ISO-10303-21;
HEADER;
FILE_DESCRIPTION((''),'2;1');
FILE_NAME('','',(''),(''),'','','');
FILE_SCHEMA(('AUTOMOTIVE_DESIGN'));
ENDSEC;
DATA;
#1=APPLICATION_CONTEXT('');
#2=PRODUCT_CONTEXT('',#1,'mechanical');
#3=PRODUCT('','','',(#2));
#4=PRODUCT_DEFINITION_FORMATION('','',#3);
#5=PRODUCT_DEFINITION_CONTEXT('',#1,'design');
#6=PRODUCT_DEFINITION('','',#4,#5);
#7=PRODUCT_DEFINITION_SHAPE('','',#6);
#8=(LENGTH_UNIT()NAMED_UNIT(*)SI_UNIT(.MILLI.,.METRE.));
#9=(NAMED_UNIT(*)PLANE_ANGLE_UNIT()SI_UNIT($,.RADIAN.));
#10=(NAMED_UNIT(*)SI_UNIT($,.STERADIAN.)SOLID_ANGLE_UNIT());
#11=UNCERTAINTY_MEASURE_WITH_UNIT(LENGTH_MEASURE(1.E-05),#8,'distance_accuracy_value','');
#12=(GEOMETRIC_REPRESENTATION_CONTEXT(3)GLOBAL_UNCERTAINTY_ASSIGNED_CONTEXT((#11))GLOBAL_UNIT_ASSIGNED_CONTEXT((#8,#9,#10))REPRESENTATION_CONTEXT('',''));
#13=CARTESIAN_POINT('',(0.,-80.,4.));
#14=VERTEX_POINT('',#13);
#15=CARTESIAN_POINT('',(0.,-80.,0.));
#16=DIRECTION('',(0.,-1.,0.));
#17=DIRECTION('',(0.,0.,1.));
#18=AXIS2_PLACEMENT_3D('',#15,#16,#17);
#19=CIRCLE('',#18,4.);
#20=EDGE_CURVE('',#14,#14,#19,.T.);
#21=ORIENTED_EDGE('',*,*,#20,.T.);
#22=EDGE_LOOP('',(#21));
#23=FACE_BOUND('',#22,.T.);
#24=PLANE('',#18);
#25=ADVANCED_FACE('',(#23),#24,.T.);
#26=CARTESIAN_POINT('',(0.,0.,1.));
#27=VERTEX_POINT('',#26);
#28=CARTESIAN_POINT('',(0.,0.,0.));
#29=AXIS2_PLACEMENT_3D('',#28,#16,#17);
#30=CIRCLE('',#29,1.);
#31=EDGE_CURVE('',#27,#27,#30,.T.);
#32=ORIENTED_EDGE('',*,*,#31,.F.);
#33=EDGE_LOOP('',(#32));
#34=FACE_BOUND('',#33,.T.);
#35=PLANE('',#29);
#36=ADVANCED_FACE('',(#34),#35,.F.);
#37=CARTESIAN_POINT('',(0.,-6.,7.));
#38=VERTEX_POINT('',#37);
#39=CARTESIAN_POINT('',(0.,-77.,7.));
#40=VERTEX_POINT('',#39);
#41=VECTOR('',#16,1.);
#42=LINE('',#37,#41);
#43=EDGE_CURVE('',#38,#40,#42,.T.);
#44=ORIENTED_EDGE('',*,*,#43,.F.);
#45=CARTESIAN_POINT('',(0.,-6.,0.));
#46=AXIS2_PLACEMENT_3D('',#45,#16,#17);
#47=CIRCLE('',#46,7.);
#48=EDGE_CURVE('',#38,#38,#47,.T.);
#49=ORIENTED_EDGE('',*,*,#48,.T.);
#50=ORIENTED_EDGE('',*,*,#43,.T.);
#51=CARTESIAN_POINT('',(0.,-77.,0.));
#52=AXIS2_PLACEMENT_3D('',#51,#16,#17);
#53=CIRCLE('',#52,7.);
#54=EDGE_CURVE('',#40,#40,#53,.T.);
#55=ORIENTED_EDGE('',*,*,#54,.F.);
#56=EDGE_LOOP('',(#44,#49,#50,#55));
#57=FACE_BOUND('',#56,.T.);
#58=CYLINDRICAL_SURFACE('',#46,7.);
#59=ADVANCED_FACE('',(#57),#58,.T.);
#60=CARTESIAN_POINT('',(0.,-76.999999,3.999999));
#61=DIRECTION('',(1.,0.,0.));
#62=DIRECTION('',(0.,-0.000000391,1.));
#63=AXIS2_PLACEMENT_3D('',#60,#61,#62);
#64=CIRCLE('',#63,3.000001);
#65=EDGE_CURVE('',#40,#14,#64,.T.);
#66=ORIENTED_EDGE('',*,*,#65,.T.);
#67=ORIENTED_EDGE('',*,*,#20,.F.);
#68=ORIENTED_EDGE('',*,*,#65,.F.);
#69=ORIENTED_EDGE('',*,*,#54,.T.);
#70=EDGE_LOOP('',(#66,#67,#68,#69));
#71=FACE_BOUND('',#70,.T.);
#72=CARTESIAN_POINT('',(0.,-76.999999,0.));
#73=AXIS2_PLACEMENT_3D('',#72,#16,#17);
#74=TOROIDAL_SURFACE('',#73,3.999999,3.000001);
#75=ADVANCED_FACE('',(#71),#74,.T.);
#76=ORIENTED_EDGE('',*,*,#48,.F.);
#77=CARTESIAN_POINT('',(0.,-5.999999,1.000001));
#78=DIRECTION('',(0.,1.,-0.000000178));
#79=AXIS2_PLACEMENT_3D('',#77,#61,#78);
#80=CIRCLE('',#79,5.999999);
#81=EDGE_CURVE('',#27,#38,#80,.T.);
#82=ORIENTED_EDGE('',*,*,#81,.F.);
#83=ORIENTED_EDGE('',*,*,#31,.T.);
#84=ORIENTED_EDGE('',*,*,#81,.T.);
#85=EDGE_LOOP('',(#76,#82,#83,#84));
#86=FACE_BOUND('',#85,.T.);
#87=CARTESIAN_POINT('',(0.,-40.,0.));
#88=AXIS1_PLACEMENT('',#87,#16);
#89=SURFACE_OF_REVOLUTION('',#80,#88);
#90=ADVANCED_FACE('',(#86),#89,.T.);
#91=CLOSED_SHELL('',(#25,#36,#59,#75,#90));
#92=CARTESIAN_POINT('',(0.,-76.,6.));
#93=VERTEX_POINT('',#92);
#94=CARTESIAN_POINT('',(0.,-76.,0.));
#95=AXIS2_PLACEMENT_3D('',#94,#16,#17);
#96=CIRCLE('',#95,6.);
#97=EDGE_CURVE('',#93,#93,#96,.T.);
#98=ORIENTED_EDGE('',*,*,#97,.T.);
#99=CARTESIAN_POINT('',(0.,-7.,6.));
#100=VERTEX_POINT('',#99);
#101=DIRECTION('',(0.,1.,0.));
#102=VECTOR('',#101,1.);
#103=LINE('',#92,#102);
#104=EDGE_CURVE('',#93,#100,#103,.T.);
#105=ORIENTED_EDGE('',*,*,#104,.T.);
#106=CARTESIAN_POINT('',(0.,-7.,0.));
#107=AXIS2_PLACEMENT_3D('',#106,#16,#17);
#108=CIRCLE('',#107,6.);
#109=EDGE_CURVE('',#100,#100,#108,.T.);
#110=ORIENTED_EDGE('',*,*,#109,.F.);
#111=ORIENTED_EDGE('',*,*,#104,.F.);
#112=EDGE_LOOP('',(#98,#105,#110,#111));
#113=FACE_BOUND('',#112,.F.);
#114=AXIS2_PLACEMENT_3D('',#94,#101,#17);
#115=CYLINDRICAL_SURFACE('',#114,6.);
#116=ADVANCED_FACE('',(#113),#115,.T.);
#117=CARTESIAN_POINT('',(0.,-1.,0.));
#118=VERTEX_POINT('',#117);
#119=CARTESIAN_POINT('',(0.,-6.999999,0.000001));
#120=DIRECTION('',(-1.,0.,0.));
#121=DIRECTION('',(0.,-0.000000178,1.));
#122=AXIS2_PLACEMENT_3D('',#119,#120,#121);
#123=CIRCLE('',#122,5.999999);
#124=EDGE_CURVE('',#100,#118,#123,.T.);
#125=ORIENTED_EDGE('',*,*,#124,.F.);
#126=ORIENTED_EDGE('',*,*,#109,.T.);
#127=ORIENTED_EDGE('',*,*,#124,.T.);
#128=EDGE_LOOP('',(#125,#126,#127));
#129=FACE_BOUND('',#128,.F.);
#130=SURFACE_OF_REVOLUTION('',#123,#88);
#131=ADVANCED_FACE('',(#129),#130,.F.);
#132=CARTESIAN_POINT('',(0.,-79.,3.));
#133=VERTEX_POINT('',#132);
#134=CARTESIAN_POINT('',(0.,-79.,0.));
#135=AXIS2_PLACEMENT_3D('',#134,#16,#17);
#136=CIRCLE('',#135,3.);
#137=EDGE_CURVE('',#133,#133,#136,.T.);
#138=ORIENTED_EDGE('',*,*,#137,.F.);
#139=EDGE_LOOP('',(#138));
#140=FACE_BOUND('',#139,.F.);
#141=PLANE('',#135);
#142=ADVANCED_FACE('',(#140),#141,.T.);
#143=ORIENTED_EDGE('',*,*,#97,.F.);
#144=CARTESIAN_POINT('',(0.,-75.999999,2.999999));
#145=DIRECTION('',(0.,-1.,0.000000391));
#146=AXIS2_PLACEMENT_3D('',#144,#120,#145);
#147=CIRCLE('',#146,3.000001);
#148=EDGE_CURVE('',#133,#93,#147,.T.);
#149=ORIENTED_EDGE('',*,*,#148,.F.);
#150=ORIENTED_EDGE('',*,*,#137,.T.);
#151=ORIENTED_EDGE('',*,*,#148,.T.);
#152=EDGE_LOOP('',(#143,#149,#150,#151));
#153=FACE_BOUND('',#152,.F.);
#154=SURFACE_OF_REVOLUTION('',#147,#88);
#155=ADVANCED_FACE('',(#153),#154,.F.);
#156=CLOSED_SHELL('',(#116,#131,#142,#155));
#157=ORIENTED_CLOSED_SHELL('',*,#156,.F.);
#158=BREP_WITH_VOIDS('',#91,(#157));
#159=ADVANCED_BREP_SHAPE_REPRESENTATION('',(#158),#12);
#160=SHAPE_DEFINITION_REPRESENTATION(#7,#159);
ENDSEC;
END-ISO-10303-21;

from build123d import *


with BuildPart() as f1:
    # F0 (on Right) → F1 (revolve)
    with BuildSketch(Plane.YZ):
        with BuildLine():
            ThreePointArc((0, 1), (-1.757359, 5.242641), (-6, 7))
            Line((-6, 7), (-77, 7))
            ThreePointArc((-77, 7), (-79.12132, 6.12132), (-80, 4))
            Line((-80, 4), (-80, 0))
            Line((-80, 0), (-79, 0))
            Line((-79, 0), (-79, 3))
            ThreePointArc((-79, 3), (-78.12132, 5.12132), (-76, 6))
            Line((-76, 6), (-7, 6))
            ThreePointArc((-7, 6), (-2.757359, 4.242641), (-1, 0))
            Line((-1, 0), (0, 0))
            Line((0, 0), (0, 1))
        make_face()
    revolve(axis=Axis((0, -40, 0), (0, -1, 0)))


solid = f1.part
